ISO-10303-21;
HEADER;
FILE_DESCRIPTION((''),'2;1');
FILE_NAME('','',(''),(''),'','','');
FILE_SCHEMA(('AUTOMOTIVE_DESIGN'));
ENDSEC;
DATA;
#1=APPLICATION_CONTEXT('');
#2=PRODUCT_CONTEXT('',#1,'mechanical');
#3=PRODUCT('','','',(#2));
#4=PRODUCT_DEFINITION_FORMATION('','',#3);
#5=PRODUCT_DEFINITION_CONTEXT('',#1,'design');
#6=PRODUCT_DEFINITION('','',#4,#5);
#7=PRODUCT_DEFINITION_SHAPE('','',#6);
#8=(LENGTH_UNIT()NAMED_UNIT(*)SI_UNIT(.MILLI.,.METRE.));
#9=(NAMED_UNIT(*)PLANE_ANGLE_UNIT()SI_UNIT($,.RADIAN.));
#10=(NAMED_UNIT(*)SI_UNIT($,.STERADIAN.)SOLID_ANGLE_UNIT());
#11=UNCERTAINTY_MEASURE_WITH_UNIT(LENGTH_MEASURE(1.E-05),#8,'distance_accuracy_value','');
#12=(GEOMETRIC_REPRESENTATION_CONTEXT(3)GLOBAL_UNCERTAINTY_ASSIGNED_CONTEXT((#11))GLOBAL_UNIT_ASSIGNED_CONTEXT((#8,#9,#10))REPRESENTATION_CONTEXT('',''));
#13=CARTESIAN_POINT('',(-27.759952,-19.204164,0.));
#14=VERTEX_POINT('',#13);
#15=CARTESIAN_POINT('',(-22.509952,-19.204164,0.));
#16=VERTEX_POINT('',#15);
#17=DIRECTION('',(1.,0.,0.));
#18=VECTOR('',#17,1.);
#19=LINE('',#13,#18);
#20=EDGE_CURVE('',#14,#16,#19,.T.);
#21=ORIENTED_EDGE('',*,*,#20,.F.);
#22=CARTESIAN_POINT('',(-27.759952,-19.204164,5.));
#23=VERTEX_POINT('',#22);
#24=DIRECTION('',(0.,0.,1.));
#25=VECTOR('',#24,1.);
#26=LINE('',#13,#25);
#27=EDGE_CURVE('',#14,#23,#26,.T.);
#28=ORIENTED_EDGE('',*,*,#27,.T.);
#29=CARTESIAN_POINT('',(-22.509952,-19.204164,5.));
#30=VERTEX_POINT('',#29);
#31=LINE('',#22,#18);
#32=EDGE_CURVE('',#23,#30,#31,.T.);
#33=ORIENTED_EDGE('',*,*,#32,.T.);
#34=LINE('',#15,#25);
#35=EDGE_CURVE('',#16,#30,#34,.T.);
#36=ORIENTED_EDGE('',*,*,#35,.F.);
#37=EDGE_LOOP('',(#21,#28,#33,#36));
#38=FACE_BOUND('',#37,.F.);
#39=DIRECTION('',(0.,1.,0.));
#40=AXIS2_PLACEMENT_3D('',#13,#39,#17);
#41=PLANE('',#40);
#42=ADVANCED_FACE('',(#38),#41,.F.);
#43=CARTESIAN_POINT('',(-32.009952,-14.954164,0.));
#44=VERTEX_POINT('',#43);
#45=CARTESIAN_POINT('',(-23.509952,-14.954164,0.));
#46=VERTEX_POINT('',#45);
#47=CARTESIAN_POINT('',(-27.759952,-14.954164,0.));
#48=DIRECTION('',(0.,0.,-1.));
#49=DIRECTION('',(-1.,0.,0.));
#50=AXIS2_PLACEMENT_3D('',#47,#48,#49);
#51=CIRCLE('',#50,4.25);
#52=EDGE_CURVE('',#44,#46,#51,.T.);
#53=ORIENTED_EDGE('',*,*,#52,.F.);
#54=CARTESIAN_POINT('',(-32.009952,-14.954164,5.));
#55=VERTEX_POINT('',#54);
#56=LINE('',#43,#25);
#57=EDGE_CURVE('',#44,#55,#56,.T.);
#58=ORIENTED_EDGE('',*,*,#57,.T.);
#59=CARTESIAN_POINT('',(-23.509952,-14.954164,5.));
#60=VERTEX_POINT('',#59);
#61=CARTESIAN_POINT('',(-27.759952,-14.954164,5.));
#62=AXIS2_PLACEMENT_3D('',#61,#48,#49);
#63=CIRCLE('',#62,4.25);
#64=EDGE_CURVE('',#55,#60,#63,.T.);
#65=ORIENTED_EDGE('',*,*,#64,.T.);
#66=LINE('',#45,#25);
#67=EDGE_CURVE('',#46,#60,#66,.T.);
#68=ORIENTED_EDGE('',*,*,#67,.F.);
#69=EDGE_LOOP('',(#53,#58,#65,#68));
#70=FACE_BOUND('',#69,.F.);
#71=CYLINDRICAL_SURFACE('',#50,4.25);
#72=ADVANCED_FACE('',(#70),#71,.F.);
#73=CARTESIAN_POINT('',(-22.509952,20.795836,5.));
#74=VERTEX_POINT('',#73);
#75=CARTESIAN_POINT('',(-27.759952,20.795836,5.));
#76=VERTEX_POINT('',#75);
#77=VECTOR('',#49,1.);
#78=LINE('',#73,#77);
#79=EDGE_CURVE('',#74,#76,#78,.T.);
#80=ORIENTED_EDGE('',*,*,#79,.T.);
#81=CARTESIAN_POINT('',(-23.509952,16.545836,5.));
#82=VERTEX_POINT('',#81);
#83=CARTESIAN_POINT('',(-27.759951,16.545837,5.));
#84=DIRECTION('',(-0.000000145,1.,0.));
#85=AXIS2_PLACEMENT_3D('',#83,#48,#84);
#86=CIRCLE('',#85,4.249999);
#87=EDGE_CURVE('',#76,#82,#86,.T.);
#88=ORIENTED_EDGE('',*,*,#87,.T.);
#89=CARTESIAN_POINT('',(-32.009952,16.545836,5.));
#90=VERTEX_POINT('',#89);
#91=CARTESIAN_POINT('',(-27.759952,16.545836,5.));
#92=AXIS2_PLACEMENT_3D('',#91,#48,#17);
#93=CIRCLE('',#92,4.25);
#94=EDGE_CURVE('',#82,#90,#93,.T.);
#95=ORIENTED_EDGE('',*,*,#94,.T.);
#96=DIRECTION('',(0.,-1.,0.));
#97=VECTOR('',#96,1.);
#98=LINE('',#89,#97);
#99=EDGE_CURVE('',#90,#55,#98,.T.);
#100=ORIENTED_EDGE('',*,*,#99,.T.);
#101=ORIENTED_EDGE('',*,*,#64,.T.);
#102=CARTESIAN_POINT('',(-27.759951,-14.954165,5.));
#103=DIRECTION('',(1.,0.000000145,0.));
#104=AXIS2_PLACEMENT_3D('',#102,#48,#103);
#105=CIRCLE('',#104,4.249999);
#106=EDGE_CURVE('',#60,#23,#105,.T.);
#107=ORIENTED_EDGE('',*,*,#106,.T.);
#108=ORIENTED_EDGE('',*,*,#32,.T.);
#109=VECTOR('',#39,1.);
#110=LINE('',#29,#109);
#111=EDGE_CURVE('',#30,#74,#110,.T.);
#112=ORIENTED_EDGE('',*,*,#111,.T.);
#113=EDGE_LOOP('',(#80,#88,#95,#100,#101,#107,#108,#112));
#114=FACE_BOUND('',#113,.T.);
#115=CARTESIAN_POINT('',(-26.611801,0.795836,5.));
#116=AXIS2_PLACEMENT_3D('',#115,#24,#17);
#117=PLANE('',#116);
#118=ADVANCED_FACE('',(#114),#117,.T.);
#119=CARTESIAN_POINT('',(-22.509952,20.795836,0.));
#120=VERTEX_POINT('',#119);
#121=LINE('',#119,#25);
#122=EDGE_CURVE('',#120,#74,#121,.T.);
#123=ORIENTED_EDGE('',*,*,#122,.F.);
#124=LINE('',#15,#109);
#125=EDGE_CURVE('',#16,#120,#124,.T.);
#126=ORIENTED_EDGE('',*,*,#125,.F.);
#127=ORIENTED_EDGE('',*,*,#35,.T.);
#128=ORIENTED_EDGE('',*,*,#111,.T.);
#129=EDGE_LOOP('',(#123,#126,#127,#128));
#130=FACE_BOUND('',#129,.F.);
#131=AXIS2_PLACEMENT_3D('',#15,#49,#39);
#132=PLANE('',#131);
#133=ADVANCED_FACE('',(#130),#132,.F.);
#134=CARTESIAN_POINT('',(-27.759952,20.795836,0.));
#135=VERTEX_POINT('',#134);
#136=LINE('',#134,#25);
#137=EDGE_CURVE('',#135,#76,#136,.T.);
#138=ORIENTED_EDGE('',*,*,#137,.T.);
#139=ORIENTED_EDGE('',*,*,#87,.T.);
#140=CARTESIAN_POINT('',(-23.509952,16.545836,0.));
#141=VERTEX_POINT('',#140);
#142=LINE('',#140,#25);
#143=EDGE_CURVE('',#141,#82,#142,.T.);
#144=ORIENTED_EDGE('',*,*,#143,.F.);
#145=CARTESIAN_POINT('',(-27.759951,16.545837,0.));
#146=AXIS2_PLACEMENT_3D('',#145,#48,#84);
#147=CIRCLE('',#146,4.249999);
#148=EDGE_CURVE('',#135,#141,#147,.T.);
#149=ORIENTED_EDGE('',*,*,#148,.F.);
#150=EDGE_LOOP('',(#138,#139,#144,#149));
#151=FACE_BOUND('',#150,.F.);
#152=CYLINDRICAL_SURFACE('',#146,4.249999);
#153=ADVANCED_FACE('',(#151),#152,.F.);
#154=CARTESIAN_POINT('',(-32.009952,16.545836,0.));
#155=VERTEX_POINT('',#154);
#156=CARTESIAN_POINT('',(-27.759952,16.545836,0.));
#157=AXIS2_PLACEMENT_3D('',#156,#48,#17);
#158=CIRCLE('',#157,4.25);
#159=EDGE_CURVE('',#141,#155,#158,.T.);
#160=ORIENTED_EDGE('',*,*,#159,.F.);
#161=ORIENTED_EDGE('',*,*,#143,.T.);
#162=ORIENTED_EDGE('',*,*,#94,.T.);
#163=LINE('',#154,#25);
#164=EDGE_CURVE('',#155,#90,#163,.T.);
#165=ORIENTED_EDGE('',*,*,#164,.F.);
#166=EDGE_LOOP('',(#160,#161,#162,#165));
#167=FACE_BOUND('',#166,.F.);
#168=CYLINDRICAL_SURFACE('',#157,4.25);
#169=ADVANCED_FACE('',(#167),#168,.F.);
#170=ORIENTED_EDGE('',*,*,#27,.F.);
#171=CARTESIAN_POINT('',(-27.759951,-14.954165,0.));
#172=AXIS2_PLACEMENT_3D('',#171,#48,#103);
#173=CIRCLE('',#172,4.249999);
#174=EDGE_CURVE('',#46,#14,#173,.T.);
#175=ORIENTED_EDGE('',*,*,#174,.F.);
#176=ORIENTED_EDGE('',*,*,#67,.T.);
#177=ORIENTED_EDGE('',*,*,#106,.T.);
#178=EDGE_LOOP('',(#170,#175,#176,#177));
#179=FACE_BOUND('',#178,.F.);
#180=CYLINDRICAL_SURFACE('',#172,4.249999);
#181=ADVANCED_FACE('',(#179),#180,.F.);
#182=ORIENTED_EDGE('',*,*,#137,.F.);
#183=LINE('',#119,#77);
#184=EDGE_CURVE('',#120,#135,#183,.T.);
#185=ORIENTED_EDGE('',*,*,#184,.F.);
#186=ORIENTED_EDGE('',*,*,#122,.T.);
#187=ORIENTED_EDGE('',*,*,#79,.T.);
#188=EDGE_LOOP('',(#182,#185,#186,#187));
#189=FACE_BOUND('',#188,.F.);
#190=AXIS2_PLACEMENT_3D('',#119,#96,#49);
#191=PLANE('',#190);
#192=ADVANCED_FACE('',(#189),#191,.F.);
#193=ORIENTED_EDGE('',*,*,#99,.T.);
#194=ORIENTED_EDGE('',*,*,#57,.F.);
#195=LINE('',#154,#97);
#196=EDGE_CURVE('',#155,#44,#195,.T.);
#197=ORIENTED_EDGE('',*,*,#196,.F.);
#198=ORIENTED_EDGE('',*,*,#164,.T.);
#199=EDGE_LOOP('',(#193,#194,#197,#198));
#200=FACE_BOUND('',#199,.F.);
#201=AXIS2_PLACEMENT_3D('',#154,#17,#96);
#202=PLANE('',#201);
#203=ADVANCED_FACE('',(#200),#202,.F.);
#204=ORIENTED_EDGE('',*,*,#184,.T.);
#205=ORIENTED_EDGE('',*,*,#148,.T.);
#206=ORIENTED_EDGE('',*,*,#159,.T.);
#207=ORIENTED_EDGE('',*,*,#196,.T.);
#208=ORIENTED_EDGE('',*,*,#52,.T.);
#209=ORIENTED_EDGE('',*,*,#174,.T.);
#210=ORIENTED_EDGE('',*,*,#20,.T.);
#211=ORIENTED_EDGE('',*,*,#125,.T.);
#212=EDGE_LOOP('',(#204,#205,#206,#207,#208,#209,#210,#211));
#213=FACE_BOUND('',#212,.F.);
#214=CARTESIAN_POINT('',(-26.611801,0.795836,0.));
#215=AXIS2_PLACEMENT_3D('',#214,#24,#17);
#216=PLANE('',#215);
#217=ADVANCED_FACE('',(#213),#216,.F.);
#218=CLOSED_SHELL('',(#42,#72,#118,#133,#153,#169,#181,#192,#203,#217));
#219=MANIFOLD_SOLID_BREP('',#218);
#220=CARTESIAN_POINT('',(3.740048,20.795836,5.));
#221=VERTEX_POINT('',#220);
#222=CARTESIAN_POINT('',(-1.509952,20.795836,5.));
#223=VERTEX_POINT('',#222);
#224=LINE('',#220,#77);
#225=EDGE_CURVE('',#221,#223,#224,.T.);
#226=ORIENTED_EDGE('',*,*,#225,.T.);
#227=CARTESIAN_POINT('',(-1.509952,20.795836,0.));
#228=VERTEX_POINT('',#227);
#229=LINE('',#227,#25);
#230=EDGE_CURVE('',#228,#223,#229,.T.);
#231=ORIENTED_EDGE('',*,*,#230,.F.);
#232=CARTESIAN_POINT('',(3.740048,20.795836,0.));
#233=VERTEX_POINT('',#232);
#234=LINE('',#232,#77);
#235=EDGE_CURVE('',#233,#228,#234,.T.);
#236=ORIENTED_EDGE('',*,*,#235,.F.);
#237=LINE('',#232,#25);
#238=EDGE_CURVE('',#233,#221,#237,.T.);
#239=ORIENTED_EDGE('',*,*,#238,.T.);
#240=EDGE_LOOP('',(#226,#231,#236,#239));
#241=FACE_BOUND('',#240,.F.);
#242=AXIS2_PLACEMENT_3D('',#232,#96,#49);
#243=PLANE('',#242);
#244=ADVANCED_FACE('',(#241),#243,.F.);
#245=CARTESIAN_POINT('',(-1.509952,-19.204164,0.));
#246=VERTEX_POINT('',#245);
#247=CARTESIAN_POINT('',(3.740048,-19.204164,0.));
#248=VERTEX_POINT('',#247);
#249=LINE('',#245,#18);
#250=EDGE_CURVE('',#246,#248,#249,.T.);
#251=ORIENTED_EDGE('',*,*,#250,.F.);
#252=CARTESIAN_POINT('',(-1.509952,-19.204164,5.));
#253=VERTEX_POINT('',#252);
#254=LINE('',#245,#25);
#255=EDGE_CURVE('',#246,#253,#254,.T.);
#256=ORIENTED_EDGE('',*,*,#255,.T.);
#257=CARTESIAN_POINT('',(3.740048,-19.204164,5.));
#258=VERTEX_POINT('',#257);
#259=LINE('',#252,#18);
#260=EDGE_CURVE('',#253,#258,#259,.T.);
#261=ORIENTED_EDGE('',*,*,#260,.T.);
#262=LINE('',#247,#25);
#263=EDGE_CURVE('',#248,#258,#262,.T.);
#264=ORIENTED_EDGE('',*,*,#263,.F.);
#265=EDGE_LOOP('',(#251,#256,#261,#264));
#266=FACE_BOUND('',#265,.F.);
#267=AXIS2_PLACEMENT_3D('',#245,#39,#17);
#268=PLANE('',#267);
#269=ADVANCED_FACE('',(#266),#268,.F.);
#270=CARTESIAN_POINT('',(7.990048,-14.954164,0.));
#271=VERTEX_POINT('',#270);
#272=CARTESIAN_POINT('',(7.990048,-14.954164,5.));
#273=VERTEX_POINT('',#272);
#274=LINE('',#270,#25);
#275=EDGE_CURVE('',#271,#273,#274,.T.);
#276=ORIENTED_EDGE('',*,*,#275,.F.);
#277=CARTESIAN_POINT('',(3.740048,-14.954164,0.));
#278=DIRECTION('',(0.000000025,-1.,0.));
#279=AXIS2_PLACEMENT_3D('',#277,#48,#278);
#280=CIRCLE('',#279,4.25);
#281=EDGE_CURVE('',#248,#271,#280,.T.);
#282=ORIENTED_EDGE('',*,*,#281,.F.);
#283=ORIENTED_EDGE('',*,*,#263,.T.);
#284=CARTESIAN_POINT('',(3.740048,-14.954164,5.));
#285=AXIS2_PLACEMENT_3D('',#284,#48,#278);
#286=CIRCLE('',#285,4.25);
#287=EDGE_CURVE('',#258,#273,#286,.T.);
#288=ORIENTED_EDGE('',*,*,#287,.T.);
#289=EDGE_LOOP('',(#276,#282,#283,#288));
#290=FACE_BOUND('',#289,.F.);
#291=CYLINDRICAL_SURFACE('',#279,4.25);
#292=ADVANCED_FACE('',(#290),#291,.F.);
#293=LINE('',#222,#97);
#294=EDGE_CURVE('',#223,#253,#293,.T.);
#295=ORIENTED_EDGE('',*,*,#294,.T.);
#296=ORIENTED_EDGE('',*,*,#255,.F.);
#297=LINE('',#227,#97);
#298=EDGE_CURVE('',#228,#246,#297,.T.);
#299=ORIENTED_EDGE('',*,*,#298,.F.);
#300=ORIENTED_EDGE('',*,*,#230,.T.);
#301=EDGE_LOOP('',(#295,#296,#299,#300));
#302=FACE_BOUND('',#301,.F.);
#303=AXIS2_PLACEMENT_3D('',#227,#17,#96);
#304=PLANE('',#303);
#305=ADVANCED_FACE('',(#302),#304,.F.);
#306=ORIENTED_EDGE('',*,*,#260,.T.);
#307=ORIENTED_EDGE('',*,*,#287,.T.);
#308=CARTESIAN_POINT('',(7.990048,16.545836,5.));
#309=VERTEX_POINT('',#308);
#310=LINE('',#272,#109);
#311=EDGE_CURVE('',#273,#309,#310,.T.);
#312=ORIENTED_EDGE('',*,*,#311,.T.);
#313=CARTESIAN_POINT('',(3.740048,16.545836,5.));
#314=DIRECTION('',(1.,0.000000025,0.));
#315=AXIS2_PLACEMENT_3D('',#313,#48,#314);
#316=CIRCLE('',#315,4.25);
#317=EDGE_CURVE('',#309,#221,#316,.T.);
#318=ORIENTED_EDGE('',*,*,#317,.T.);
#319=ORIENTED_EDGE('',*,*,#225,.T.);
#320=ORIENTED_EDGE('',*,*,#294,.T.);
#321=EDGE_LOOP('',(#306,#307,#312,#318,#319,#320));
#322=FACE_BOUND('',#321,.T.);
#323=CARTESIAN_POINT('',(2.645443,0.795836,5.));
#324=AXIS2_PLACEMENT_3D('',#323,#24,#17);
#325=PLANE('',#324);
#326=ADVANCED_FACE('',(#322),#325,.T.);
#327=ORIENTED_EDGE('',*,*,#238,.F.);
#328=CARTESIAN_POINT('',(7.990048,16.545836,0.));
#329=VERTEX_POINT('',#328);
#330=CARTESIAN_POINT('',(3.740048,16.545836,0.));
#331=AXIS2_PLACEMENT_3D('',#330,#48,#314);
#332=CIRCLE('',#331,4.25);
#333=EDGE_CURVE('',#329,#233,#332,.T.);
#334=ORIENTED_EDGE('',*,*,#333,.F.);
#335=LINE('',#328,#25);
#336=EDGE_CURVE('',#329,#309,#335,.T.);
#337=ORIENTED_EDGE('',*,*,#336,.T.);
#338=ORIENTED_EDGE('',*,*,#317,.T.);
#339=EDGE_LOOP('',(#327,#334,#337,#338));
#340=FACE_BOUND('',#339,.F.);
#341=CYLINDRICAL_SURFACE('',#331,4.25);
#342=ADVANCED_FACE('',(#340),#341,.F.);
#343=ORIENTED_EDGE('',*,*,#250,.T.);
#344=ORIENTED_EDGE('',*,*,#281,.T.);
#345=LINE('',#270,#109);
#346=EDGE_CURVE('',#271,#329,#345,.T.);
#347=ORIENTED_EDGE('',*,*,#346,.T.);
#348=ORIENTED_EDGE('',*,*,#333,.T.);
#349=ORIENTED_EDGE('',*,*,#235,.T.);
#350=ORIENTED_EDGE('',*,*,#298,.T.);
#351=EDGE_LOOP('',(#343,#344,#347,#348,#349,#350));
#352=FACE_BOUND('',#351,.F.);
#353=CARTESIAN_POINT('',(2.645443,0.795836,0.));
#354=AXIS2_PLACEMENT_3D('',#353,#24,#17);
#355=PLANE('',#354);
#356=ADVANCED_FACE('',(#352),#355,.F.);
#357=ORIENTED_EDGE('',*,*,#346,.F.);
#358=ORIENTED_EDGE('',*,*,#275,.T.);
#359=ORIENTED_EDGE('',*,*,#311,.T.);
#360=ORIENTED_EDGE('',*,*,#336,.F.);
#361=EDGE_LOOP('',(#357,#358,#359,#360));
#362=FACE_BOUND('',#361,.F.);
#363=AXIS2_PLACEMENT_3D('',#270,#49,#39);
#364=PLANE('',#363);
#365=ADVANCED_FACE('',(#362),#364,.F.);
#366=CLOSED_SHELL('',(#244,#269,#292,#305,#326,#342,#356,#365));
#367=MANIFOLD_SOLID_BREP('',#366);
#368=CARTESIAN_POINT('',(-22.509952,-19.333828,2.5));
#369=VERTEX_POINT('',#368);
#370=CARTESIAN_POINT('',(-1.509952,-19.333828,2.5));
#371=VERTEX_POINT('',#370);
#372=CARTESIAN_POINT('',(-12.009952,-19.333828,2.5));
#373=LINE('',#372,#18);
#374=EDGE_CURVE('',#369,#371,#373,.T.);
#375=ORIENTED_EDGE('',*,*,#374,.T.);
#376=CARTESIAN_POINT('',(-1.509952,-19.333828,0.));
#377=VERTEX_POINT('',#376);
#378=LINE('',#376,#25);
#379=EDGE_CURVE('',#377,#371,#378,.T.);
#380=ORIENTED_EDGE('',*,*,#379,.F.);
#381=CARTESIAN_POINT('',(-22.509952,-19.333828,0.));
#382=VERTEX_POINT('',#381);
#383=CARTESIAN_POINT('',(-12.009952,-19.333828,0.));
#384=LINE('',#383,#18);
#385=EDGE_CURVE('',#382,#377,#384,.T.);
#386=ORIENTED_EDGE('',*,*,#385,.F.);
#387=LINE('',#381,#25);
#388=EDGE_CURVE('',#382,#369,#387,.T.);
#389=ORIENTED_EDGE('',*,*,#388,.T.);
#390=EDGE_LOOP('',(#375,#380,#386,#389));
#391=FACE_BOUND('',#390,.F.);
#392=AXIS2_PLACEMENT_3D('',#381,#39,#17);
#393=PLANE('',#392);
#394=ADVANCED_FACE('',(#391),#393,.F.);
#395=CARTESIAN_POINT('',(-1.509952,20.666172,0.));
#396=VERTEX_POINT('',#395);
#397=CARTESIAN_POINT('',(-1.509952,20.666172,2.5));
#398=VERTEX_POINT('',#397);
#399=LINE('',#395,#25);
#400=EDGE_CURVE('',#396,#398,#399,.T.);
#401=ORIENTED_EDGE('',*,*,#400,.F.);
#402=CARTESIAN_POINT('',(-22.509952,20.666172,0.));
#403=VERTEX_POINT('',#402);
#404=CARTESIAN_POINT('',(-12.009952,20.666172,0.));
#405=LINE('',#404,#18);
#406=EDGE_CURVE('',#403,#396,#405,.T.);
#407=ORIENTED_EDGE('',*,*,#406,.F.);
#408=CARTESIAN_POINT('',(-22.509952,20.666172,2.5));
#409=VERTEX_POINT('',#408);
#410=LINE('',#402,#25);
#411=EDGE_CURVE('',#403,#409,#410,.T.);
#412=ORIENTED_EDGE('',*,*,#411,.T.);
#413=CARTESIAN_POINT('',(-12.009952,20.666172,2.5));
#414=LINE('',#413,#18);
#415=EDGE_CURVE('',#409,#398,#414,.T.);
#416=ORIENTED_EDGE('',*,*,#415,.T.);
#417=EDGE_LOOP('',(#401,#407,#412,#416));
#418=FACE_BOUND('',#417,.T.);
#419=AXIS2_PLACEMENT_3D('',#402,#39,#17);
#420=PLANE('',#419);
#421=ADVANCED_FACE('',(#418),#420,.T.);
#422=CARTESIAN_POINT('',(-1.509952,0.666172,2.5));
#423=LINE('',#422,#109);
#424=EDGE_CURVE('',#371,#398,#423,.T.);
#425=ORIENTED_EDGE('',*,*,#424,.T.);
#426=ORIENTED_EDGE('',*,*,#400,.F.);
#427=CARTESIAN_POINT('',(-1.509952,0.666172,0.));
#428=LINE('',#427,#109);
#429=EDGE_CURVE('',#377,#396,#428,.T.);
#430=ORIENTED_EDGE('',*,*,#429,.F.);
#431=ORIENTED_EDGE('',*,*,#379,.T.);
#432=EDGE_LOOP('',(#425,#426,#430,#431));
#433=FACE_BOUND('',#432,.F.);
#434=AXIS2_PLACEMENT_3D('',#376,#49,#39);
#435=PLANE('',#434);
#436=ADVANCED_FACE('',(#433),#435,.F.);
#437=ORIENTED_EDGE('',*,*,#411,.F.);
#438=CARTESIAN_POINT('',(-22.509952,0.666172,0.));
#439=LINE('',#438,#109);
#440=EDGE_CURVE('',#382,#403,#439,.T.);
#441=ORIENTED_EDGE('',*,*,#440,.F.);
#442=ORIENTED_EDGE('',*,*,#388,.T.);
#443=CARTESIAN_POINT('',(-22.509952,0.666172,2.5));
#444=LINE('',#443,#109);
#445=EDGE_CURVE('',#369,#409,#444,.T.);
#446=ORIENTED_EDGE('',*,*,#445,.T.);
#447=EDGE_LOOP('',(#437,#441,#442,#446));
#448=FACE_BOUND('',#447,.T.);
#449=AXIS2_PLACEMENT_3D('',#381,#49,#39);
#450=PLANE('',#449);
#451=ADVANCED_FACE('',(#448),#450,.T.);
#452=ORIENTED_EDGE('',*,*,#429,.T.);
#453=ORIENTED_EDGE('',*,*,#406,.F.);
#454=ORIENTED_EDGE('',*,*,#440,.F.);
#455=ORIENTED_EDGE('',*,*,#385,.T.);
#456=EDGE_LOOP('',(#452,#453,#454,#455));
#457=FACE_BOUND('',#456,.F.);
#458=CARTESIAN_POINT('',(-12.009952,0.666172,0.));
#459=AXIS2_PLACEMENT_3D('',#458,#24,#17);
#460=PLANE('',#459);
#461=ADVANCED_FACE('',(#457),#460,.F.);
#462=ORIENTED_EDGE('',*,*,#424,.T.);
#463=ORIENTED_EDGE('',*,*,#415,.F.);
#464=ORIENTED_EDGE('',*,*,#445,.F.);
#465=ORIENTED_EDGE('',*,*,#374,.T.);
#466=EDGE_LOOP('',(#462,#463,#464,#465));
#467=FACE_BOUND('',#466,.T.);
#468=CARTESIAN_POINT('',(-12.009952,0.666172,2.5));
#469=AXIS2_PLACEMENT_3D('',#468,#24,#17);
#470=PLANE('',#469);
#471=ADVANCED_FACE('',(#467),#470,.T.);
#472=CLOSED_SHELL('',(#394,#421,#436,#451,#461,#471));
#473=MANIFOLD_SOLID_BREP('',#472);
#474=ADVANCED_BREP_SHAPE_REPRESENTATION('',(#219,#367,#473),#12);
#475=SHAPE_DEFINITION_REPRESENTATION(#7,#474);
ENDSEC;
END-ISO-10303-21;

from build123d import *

# Parameters (mm, degrees)
F1_DEPTH = 5
F2_W     = 21
F2_H     = 40
F3_DEPTH = 2.5


with BuildPart() as f1:
    # F0 (on Top) → F1 (new body)
    with BuildSketch(Plane.XY):
        with BuildLine():
            Line((-22.509952, -19.204164), (-22.509952, 20.795836))
            Line((-22.509952, 20.795836), (-27.759952, 20.795836))
            ThreePointArc((-27.759952, 20.795836), (-24.754748, 19.55104), (-23.509952, 16.545836))
            ThreePointArc((-23.509952, 16.545836), (-27.759952, 12.295836), (-32.009952, 16.545836))
            Line((-32.009952, 16.545836), (-32.009952, -14.954164))
            ThreePointArc((-32.009952, -14.954164), (-27.759952, -10.704164), (-23.509952, -14.954164))
            ThreePointArc((-23.509952, -14.954164), (-24.754748, -17.959368), (-27.759952, -19.204164))
            Line((-27.759952, -19.204164), (-22.509952, -19.204164))
        make_face()
        with BuildLine():
            Line((3.740048, 20.795836), (-1.509952, 20.795836))
            Line((-1.509952, 20.795836), (-1.509952, -19.204164))
            Line((-1.509952, -19.204164), (3.740048, -19.204164))
            ThreePointArc((3.740048, -19.204164), (0.734844, -11.94896), (7.990048, -14.954164))
            Line((7.990048, -14.954164), (7.990048, 16.545836))
            ThreePointArc((7.990048, 16.545836), (0.734844, 13.540632), (3.740048, 20.795836))
        make_face()
    extrude(amount=F1_DEPTH)


with BuildPart() as f3:
    # F2 (on Top) → F3 (new body)
    with BuildSketch(Plane.XY):
        with Locations((-12.009952, 0.666172)):
            Rectangle(F2_W, F2_H)
    extrude(amount=F3_DEPTH)


solid = Compound([f1.part, f3.part])
